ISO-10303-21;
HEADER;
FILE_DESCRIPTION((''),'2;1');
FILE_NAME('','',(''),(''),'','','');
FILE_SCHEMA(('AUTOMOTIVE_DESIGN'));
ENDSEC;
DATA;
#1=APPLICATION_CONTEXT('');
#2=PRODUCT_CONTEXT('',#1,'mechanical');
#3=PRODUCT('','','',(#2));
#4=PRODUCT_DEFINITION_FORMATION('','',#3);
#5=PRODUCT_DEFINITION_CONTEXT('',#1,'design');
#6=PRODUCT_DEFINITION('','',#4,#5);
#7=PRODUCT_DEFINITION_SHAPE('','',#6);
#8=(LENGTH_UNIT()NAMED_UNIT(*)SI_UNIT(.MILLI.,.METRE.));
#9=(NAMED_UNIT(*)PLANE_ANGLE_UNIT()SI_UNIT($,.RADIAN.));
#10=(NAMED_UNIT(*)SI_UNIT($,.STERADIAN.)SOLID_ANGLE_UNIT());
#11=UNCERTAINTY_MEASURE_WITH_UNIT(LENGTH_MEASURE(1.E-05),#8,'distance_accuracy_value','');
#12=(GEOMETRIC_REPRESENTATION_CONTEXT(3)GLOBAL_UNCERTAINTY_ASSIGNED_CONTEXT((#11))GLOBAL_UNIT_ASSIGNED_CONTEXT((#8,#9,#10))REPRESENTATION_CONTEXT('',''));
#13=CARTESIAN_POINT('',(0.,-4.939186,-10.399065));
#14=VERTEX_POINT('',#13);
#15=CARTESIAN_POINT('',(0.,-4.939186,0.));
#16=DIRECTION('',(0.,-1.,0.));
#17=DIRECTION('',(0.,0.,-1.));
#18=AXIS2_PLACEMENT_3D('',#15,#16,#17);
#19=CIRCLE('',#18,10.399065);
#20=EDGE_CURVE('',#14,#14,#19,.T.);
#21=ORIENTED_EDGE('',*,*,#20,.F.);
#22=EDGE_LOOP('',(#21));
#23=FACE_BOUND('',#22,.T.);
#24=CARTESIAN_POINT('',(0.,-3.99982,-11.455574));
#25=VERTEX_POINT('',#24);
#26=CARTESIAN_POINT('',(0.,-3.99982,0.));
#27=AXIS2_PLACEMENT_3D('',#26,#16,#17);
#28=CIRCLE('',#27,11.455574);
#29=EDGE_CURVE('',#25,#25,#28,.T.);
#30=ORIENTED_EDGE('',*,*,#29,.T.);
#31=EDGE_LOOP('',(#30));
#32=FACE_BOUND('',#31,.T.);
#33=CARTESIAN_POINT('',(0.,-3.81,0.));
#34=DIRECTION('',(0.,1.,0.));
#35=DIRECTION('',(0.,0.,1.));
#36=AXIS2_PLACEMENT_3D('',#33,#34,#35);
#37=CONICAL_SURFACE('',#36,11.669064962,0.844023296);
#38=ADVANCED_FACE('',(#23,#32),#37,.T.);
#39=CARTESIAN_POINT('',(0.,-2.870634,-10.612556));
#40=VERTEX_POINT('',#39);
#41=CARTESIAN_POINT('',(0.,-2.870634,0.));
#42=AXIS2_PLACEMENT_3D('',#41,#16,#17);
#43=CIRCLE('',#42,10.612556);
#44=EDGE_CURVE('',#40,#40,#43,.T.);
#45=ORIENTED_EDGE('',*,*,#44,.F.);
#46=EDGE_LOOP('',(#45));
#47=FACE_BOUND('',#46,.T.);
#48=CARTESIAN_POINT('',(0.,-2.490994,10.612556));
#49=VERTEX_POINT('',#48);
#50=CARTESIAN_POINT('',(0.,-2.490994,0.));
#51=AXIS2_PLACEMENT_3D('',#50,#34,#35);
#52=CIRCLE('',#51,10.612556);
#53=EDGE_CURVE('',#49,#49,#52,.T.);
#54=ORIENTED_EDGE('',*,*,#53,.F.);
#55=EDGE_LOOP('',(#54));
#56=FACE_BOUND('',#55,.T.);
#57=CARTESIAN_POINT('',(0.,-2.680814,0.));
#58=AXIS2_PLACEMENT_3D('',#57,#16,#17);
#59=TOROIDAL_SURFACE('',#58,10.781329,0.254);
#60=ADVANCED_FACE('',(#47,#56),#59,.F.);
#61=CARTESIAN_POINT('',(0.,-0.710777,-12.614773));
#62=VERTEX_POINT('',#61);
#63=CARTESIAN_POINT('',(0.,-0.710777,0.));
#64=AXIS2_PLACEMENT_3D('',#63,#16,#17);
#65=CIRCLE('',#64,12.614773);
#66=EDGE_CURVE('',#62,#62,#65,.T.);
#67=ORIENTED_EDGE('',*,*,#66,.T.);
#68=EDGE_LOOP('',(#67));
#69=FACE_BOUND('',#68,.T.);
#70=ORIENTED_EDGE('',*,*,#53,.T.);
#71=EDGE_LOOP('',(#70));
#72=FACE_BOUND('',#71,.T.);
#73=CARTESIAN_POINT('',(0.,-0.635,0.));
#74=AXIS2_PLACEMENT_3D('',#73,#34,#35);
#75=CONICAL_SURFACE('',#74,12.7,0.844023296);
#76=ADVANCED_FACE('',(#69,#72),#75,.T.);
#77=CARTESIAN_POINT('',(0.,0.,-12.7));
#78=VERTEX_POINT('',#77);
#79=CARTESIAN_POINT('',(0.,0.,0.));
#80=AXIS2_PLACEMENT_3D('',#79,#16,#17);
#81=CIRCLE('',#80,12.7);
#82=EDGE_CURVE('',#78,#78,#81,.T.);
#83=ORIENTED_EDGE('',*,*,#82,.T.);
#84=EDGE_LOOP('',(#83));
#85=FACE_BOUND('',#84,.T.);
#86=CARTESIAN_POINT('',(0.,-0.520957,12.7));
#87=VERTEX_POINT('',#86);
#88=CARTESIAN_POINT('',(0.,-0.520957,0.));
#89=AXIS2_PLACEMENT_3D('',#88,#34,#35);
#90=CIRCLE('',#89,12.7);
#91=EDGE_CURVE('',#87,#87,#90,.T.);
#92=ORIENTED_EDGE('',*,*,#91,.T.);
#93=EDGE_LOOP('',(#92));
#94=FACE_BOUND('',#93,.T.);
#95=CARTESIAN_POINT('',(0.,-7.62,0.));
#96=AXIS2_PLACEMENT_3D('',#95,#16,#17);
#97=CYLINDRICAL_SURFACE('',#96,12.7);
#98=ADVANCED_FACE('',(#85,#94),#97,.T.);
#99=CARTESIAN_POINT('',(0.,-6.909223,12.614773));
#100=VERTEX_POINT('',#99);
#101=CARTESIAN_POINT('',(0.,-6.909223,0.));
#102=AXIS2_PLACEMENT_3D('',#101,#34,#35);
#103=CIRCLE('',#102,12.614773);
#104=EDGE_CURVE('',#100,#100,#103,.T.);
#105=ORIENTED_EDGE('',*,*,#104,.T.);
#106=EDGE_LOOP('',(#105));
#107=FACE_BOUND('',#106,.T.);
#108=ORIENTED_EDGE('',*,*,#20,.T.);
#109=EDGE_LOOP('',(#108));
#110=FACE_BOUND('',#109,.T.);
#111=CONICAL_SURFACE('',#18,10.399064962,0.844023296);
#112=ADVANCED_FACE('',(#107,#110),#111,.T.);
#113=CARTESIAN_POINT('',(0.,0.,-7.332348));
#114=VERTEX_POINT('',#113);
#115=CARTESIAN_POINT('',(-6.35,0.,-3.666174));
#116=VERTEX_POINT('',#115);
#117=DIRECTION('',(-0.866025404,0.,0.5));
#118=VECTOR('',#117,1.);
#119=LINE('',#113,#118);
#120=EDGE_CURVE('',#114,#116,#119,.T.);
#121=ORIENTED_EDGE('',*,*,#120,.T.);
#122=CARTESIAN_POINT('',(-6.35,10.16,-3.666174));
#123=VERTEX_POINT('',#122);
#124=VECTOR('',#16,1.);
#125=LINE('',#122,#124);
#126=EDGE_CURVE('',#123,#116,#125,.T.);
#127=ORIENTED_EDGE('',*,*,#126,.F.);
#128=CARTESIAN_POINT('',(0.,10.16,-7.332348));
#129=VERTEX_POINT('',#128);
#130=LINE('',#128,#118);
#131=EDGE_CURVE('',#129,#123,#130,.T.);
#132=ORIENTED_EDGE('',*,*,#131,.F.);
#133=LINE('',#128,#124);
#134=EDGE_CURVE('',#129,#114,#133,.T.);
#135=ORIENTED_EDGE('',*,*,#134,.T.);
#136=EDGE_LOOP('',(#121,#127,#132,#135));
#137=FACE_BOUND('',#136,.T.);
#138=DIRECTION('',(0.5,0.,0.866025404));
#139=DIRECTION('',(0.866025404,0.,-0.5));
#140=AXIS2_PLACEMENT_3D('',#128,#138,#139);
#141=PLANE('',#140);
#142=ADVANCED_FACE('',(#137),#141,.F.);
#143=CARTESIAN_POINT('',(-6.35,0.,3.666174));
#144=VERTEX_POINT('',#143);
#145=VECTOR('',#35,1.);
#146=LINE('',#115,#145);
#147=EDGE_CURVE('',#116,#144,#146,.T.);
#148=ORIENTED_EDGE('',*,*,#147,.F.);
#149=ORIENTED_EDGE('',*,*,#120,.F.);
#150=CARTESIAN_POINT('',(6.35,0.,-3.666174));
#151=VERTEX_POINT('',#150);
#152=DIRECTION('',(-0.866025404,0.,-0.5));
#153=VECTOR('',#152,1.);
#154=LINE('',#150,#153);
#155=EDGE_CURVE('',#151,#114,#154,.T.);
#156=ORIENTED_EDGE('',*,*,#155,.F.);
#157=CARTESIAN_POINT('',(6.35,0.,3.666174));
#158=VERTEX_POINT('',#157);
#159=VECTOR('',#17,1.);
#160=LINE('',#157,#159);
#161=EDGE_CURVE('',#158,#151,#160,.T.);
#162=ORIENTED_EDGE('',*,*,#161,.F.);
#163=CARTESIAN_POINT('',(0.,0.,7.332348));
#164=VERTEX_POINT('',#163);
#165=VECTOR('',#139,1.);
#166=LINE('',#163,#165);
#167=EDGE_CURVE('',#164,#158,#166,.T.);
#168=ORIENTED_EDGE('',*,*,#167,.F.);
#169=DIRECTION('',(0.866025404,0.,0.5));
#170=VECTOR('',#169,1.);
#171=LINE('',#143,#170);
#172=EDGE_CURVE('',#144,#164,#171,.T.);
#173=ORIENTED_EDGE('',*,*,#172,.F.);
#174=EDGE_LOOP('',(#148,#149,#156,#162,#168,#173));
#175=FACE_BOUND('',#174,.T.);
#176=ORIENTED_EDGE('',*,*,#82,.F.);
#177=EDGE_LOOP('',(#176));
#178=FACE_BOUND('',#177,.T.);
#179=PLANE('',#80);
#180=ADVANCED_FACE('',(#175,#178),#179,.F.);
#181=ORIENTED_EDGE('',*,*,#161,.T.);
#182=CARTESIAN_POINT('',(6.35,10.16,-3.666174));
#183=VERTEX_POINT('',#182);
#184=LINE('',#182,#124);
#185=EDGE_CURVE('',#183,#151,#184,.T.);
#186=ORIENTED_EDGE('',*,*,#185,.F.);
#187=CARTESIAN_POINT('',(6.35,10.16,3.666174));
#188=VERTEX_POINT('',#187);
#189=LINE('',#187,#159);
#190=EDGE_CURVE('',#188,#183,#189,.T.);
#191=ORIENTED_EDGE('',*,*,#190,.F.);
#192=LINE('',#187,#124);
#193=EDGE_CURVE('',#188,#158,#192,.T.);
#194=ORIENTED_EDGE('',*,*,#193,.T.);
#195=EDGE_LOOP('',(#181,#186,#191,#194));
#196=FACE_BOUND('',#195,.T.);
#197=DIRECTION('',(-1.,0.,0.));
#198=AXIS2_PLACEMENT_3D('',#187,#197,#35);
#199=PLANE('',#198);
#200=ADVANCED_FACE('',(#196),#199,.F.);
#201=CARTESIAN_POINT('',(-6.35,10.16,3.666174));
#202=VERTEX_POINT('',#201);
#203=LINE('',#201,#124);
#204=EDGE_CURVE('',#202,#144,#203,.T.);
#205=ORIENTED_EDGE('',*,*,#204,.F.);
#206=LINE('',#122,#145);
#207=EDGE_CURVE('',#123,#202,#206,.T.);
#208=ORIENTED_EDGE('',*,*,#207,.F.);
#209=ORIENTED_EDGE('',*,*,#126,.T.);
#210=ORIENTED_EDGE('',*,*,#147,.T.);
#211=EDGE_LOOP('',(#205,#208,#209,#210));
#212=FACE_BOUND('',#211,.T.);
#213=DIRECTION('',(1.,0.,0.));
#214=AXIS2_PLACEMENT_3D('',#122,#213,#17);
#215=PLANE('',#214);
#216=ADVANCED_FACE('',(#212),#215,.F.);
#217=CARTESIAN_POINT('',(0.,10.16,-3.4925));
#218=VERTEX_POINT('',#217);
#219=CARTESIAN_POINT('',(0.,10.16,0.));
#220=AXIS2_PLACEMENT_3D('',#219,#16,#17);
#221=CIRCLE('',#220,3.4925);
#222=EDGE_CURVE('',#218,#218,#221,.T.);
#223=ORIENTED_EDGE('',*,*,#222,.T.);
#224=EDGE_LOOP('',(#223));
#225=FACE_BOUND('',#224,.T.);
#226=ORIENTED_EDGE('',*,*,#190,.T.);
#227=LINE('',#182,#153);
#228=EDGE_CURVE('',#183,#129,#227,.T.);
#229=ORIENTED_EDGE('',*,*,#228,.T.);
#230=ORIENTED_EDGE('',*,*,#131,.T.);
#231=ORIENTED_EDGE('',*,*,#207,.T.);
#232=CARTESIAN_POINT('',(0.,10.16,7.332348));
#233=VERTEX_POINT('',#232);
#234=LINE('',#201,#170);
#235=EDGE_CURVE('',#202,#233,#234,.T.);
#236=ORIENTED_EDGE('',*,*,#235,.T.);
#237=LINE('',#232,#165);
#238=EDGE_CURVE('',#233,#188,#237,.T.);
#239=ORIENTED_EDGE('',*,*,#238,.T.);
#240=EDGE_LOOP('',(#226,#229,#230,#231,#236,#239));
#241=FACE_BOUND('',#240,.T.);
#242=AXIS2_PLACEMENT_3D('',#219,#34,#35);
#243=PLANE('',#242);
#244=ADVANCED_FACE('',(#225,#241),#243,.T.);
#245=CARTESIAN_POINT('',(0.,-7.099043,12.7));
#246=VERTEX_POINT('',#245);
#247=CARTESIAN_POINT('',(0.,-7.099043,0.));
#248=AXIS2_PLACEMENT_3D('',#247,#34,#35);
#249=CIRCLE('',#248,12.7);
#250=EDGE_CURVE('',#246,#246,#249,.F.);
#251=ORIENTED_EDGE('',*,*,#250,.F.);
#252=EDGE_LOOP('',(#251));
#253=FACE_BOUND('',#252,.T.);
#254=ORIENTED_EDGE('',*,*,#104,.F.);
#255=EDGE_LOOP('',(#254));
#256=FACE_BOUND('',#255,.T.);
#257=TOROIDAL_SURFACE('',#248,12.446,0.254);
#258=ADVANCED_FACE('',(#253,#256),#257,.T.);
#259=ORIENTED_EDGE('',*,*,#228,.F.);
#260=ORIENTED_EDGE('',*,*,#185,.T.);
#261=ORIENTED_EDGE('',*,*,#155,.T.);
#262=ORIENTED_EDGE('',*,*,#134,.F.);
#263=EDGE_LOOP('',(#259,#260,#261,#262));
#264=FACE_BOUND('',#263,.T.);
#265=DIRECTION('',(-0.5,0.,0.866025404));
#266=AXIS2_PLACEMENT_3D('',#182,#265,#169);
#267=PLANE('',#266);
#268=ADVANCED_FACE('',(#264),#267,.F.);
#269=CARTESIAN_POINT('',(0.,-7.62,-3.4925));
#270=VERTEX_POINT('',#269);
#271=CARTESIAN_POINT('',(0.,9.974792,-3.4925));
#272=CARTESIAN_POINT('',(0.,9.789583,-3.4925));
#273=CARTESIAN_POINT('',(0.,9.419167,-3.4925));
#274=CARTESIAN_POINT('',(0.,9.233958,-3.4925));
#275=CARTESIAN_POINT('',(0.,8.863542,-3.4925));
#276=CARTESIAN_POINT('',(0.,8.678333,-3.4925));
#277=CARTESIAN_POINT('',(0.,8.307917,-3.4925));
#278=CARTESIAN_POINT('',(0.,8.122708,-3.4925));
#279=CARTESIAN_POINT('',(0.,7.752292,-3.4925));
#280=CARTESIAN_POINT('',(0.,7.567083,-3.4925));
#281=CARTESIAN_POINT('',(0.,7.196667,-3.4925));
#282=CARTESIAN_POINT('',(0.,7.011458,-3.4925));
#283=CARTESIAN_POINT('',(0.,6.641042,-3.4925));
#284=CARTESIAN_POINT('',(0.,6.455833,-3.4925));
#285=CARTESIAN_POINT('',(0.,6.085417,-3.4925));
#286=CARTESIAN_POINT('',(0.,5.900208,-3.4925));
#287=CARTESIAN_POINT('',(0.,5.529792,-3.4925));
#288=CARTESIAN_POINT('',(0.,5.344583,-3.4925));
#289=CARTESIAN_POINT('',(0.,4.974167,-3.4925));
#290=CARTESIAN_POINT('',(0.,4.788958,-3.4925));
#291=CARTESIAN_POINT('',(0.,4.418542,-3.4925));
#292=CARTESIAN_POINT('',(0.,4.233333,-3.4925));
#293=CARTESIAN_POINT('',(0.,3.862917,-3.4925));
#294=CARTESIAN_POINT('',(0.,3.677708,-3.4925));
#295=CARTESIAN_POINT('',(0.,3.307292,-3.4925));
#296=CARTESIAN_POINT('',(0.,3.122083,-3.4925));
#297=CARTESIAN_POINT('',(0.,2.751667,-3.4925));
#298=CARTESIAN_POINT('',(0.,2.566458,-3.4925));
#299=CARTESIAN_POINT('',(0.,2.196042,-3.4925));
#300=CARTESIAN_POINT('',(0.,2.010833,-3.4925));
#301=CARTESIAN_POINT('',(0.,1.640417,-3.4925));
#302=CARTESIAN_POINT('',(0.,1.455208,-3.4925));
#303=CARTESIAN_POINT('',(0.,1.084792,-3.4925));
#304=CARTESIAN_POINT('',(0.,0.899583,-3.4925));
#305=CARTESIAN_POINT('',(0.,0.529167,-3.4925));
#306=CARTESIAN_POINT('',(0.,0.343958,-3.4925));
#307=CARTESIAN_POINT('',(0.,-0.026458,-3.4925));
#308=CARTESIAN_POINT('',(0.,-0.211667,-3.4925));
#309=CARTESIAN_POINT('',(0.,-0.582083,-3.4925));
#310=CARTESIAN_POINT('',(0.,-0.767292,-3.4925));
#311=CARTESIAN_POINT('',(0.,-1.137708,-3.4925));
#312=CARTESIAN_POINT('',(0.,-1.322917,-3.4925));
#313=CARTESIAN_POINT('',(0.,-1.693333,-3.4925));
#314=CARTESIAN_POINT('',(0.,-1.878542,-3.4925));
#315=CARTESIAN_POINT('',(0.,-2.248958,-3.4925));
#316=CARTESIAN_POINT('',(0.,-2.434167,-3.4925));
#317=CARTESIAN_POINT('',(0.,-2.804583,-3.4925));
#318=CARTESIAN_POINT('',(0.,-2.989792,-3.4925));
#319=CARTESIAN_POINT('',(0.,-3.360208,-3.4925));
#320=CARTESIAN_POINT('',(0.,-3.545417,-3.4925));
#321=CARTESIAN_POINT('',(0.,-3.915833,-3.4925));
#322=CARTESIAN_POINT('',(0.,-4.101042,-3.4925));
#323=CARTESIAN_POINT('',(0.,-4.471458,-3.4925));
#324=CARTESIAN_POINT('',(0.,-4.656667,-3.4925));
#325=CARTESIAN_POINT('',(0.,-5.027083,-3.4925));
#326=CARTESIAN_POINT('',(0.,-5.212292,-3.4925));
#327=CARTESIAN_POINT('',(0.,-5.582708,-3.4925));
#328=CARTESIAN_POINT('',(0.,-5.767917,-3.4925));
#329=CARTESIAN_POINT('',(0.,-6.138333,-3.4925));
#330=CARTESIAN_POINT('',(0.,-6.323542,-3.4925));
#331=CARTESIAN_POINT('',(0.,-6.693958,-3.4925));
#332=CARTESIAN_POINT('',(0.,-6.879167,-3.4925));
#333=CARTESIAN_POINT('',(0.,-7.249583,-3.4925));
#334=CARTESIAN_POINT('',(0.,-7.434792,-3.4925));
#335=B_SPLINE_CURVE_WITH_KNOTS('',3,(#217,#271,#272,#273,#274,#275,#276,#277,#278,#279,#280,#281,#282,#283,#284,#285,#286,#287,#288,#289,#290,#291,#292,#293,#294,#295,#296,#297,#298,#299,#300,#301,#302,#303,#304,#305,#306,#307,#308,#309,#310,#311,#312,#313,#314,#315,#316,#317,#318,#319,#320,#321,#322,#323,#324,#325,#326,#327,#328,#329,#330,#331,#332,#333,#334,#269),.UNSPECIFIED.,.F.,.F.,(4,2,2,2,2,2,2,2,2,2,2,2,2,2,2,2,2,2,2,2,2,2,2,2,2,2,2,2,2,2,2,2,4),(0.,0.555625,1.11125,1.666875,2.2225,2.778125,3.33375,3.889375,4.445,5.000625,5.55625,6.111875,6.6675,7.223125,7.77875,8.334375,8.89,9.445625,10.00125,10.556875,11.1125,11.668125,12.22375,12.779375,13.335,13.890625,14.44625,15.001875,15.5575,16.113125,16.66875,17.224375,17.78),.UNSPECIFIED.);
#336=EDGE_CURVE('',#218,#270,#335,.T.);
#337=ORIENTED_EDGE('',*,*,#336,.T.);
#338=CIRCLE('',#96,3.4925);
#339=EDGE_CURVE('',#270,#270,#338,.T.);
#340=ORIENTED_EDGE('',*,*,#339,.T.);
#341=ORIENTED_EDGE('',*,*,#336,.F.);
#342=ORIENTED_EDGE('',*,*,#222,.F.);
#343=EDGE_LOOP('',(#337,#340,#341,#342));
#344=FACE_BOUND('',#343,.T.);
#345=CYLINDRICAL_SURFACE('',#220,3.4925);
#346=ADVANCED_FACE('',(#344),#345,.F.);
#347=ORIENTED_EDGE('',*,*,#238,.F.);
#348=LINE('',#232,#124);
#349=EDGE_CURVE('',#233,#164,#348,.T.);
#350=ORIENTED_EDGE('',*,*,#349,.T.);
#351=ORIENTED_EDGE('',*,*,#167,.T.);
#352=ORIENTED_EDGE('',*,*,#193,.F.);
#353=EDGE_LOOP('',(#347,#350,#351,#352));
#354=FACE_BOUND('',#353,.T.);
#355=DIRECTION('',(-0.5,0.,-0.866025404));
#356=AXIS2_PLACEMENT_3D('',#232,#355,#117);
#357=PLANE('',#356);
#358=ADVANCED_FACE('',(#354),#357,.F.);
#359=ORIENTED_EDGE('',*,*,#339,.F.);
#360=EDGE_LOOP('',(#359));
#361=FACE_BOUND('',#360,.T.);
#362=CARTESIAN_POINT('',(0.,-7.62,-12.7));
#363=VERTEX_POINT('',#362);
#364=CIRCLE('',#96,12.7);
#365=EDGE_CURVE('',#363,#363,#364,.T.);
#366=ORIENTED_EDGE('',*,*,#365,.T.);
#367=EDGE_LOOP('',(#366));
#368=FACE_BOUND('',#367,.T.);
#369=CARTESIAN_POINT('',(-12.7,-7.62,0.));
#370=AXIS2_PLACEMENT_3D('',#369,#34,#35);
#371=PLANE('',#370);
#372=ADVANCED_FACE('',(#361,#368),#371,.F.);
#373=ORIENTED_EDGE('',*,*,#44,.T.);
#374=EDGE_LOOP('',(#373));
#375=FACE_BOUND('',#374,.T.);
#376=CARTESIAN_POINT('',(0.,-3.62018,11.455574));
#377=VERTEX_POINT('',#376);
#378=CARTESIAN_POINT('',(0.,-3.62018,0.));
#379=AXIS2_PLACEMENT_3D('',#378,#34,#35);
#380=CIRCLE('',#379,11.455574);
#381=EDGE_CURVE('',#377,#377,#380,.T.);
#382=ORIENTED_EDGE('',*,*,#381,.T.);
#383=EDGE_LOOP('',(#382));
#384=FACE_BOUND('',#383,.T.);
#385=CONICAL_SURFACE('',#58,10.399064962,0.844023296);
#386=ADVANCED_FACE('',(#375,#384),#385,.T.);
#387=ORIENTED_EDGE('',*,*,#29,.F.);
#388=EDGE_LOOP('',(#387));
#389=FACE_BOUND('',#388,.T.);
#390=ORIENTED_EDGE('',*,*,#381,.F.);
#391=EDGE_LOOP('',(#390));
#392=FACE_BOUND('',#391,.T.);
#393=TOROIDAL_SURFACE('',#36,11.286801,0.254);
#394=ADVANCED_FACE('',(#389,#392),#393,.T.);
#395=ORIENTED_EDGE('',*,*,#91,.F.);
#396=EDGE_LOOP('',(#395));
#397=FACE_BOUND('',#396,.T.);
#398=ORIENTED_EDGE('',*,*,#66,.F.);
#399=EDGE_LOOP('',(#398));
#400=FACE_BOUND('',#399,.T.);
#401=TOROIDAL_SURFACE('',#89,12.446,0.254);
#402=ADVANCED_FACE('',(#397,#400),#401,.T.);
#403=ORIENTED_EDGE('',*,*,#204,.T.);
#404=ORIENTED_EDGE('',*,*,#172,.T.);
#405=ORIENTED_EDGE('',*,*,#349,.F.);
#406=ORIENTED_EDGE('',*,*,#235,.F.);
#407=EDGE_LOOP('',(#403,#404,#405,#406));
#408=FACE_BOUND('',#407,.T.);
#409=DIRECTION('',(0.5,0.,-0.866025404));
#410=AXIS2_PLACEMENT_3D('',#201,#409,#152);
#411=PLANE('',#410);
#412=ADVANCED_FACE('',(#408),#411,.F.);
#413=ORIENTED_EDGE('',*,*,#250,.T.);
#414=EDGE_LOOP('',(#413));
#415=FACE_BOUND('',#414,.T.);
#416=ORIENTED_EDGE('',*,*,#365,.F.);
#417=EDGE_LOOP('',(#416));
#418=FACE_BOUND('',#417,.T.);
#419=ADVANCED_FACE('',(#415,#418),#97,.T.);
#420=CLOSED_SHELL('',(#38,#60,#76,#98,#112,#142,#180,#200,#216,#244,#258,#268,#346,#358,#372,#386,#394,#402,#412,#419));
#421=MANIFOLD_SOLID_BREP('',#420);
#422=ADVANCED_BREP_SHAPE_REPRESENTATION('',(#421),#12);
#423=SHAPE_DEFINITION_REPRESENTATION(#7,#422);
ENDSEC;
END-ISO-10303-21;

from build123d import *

# Parameters (mm, degrees)
BOSS_EXTRUDE1_DEPTH = 10.16
FILLET1_R           = 0.254
SKETCH4_R           = 3.4925
CUT_EXTRUDE1_DEPTH  = 26.272681003


with BuildPart() as part:
    # Sketch1 → Boss-Extrude1 (new body)
    with BuildSketch(Plane(origin=(0, 0, 0), x_dir=(1, 0, 0), z_dir=(0, 1, 0))):
        Polygon((0, 7.332348419), (-6.35, 3.666174209), (-6.35, -3.666174209), (0, -7.332348419), (6.35, -3.666174209), (6.35, 3.666174209), align=None)
    extrude(amount=BOSS_EXTRUDE1_DEPTH)

    # Sketch3 → Revolve1 (revolve)
    with BuildSketch(Plane.XY, mode=Mode.PRIVATE) as revolve1_sk:
        Polygon((0, 0), (-12.7, 0), (-12.7, -0.635), (-10.399064962, -2.680813959), (-11.669064962, -3.81), (-10.399064962, -4.939186041), (-12.7, -6.985), (-12.7, -7.62), (0, -7.62), align=None)
    revolve(revolve1_sk.sketch.rotate(Axis((0, -7.62, 0), (0, 1, 0)), 270), axis=Axis((0, -7.62, 0), (0, 1, 0)))

    # Fillet1
    fillet1_edges = [part.edges().sort_by_distance(p)[0] for p in [
        (0, -0.635, 12.7),
        (0, -2.680813959, 10.399064962),
        (0, -3.81, 11.669064962),
        (0, -6.985, 12.7),
    ]]
    fillet(fillet1_edges, radius=FILLET1_R)

    # Sketch4 → Cut-Extrude1 (cut, through all)
    with BuildSketch(Plane.XZ.offset(7.62)):
        with Locations(Location((0, 0, 0), (0, 0, 270))):
            Circle(SKETCH4_R)
    extrude(amount=-CUT_EXTRUDE1_DEPTH, mode=Mode.SUBTRACT)


solid = part.part
